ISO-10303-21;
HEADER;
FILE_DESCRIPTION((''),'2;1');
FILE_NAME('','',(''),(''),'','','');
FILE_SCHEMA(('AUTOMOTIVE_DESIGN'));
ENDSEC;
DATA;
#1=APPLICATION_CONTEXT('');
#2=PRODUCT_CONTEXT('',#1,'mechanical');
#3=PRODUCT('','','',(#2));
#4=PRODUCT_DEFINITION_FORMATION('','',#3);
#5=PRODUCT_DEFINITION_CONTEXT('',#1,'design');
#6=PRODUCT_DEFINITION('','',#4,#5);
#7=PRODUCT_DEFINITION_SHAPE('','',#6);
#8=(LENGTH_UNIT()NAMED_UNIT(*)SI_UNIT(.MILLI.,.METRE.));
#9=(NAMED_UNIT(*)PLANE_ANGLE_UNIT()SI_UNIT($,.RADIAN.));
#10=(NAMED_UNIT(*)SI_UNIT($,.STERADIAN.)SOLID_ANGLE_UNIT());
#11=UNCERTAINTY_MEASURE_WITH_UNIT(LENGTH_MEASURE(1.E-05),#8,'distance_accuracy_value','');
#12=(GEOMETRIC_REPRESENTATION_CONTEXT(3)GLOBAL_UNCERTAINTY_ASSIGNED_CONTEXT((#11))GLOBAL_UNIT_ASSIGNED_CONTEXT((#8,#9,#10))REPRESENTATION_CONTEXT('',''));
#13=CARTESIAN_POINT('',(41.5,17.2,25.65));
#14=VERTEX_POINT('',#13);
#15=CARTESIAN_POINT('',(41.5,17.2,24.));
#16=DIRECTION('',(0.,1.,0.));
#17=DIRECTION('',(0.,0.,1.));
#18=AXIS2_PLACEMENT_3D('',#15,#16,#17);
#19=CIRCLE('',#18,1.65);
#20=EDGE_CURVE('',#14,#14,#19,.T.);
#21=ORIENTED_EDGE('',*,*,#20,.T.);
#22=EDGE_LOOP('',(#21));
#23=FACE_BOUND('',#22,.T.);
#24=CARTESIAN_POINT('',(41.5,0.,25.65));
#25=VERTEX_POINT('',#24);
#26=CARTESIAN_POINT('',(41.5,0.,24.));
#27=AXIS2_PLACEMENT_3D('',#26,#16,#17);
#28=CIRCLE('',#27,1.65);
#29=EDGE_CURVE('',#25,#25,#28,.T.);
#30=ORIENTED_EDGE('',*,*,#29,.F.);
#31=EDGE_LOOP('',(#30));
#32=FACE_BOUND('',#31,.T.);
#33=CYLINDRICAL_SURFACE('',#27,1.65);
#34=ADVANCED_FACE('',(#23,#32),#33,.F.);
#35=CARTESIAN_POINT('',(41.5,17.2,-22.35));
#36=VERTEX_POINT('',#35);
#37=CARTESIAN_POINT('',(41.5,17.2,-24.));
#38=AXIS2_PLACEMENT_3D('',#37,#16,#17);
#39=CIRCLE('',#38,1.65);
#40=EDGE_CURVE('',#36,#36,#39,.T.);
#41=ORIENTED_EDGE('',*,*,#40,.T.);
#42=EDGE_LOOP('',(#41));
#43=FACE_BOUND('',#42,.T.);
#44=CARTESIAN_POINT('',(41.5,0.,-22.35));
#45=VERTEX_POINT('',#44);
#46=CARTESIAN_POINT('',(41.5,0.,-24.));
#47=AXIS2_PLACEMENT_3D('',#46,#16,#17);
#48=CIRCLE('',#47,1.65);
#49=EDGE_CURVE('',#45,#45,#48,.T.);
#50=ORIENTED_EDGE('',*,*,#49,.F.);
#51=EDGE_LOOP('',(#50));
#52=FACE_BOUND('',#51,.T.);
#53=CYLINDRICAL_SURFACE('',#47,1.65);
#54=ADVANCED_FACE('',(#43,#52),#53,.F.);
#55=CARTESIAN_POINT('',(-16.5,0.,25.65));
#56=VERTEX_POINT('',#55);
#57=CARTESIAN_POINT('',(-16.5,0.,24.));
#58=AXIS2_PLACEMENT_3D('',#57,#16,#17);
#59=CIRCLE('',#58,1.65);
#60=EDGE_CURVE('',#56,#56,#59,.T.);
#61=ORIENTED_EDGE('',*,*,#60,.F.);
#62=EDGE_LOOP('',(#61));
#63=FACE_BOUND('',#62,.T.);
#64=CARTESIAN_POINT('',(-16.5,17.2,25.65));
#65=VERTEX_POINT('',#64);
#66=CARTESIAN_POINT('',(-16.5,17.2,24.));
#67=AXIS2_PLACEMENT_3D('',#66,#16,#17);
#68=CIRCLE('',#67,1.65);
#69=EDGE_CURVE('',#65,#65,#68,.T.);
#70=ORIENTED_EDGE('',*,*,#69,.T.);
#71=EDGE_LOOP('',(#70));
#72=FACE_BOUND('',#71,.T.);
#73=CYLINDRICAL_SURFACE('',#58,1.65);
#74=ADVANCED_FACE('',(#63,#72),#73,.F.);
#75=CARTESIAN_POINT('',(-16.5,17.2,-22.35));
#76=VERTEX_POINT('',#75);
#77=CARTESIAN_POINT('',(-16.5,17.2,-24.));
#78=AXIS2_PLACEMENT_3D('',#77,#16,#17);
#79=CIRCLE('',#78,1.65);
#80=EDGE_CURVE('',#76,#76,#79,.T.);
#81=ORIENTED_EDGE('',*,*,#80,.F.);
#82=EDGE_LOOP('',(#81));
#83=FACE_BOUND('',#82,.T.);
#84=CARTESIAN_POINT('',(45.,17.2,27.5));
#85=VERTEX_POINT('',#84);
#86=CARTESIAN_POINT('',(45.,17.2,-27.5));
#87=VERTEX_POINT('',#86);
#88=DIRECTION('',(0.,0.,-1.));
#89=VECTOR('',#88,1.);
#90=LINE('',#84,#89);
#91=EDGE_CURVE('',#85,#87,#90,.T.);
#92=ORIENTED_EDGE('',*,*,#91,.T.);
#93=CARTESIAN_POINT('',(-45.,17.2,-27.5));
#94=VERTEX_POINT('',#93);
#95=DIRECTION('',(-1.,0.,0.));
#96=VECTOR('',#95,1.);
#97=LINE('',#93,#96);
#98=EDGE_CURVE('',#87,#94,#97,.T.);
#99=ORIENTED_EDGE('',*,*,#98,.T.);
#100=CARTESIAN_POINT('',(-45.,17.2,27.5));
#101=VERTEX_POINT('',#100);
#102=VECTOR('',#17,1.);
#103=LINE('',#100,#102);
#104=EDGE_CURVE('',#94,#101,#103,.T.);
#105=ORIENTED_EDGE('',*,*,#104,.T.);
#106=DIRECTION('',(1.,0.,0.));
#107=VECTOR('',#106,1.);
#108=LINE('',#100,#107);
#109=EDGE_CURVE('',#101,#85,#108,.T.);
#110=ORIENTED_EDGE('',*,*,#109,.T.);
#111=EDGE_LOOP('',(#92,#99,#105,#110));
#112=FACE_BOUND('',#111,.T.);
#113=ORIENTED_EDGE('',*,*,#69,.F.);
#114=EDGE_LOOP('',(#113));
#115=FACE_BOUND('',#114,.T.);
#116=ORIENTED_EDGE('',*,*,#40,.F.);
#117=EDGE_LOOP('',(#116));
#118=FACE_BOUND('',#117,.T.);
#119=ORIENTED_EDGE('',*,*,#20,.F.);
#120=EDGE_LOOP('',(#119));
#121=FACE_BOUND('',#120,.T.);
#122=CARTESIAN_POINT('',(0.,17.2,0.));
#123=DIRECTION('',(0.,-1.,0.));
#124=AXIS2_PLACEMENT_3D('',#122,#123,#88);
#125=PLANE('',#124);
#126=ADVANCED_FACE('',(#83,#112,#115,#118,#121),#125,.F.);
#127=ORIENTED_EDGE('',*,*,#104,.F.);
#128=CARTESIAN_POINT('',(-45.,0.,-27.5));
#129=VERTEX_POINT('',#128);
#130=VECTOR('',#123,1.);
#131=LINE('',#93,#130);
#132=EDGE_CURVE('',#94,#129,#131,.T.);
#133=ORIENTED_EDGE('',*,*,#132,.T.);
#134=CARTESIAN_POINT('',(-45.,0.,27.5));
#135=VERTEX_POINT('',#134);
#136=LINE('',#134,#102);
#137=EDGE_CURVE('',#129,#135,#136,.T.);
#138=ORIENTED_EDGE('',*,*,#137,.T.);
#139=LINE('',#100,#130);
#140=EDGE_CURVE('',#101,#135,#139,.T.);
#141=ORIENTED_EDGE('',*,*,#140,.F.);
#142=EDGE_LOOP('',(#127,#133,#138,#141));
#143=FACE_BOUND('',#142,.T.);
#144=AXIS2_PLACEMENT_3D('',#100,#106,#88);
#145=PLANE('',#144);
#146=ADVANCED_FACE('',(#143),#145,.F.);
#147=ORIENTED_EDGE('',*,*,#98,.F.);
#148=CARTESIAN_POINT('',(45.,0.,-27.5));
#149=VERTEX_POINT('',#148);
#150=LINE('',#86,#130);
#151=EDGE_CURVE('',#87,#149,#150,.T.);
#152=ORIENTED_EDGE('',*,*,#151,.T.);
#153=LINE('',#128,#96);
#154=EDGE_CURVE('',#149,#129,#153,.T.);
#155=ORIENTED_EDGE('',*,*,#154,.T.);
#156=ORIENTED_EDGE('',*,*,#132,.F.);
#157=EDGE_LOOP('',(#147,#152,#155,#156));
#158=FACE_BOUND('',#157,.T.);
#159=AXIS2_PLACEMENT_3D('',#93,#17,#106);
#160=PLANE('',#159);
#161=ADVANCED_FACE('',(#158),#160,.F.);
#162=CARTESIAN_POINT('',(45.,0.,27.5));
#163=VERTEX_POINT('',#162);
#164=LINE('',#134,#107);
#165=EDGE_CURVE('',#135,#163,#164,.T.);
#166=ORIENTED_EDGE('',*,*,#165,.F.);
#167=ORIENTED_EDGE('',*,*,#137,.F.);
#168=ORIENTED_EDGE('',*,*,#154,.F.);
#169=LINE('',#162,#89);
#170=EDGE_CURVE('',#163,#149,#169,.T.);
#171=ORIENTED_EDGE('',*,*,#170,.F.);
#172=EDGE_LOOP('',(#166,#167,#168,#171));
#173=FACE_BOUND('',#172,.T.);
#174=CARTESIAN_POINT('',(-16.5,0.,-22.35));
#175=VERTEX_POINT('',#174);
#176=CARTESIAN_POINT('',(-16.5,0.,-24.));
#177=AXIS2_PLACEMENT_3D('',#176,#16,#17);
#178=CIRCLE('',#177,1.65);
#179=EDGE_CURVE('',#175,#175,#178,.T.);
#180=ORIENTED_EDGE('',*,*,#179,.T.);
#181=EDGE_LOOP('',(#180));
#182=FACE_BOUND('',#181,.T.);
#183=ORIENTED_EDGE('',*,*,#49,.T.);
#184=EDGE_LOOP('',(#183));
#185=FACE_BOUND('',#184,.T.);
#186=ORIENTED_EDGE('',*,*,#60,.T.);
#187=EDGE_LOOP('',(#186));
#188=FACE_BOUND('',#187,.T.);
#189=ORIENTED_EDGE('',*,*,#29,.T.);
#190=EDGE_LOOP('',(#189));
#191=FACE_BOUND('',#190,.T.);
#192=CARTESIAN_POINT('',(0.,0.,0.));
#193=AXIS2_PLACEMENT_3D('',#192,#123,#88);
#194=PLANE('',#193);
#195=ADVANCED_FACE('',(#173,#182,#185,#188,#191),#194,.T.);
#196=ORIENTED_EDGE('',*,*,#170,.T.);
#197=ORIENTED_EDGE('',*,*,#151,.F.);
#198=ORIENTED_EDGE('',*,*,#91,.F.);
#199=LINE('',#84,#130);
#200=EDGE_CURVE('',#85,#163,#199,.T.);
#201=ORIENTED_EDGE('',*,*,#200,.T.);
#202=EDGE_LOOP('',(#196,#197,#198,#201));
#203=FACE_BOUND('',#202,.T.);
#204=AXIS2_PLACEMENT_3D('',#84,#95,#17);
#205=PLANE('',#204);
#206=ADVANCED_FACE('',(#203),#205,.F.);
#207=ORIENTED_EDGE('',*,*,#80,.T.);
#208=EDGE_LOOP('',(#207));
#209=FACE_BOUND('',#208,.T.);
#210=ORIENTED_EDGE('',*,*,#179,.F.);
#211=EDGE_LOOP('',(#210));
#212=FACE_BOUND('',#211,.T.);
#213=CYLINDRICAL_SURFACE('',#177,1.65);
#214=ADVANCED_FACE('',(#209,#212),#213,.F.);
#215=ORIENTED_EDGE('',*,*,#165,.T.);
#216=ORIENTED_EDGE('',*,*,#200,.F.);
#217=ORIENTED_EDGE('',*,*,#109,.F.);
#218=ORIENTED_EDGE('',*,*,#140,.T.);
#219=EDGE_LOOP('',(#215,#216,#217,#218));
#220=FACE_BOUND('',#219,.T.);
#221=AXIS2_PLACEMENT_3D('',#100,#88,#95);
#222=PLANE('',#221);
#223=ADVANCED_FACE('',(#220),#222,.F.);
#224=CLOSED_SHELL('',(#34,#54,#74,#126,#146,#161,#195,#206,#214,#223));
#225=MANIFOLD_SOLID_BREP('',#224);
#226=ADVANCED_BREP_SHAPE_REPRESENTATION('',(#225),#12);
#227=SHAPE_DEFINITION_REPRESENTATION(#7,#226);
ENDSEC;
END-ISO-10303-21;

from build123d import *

# Parameters (mm, degrees)
SKETCH1_W           = 90
SKETCH1_H           = 55
BOSS_EXTRUDE2_DEPTH = 17.2
SKETCH2_R           = 1.65
CUT_EXTRUDE1_DEPTH  = 18.2


with BuildPart() as part:
    # Sketch1 → Boss-Extrude2 (new body)
    with BuildSketch(Plane(origin=(0, 0, 0), x_dir=(1, 0, 0), z_dir=(0, 1, 0))):
        Rectangle(SKETCH1_W, SKETCH1_H)
    extrude(amount=BOSS_EXTRUDE2_DEPTH)

    # Sketch2 → Cut-Extrude1 (cut, through all)
    with BuildSketch(Plane(origin=(0, 17.2, 0), x_dir=(1, 0, 0), z_dir=(0, 1, 0))):
        with Locations((41.5, 24)):
            Circle(SKETCH2_R)
        with Locations((41.5, -24)):
            Circle(SKETCH2_R)
        with Locations((-16.5, -24)):
            Circle(SKETCH2_R)
        with Locations((-16.5, 24)):
            Circle(SKETCH2_R)
    extrude(amount=-CUT_EXTRUDE1_DEPTH, mode=Mode.SUBTRACT)


solid = part.part
